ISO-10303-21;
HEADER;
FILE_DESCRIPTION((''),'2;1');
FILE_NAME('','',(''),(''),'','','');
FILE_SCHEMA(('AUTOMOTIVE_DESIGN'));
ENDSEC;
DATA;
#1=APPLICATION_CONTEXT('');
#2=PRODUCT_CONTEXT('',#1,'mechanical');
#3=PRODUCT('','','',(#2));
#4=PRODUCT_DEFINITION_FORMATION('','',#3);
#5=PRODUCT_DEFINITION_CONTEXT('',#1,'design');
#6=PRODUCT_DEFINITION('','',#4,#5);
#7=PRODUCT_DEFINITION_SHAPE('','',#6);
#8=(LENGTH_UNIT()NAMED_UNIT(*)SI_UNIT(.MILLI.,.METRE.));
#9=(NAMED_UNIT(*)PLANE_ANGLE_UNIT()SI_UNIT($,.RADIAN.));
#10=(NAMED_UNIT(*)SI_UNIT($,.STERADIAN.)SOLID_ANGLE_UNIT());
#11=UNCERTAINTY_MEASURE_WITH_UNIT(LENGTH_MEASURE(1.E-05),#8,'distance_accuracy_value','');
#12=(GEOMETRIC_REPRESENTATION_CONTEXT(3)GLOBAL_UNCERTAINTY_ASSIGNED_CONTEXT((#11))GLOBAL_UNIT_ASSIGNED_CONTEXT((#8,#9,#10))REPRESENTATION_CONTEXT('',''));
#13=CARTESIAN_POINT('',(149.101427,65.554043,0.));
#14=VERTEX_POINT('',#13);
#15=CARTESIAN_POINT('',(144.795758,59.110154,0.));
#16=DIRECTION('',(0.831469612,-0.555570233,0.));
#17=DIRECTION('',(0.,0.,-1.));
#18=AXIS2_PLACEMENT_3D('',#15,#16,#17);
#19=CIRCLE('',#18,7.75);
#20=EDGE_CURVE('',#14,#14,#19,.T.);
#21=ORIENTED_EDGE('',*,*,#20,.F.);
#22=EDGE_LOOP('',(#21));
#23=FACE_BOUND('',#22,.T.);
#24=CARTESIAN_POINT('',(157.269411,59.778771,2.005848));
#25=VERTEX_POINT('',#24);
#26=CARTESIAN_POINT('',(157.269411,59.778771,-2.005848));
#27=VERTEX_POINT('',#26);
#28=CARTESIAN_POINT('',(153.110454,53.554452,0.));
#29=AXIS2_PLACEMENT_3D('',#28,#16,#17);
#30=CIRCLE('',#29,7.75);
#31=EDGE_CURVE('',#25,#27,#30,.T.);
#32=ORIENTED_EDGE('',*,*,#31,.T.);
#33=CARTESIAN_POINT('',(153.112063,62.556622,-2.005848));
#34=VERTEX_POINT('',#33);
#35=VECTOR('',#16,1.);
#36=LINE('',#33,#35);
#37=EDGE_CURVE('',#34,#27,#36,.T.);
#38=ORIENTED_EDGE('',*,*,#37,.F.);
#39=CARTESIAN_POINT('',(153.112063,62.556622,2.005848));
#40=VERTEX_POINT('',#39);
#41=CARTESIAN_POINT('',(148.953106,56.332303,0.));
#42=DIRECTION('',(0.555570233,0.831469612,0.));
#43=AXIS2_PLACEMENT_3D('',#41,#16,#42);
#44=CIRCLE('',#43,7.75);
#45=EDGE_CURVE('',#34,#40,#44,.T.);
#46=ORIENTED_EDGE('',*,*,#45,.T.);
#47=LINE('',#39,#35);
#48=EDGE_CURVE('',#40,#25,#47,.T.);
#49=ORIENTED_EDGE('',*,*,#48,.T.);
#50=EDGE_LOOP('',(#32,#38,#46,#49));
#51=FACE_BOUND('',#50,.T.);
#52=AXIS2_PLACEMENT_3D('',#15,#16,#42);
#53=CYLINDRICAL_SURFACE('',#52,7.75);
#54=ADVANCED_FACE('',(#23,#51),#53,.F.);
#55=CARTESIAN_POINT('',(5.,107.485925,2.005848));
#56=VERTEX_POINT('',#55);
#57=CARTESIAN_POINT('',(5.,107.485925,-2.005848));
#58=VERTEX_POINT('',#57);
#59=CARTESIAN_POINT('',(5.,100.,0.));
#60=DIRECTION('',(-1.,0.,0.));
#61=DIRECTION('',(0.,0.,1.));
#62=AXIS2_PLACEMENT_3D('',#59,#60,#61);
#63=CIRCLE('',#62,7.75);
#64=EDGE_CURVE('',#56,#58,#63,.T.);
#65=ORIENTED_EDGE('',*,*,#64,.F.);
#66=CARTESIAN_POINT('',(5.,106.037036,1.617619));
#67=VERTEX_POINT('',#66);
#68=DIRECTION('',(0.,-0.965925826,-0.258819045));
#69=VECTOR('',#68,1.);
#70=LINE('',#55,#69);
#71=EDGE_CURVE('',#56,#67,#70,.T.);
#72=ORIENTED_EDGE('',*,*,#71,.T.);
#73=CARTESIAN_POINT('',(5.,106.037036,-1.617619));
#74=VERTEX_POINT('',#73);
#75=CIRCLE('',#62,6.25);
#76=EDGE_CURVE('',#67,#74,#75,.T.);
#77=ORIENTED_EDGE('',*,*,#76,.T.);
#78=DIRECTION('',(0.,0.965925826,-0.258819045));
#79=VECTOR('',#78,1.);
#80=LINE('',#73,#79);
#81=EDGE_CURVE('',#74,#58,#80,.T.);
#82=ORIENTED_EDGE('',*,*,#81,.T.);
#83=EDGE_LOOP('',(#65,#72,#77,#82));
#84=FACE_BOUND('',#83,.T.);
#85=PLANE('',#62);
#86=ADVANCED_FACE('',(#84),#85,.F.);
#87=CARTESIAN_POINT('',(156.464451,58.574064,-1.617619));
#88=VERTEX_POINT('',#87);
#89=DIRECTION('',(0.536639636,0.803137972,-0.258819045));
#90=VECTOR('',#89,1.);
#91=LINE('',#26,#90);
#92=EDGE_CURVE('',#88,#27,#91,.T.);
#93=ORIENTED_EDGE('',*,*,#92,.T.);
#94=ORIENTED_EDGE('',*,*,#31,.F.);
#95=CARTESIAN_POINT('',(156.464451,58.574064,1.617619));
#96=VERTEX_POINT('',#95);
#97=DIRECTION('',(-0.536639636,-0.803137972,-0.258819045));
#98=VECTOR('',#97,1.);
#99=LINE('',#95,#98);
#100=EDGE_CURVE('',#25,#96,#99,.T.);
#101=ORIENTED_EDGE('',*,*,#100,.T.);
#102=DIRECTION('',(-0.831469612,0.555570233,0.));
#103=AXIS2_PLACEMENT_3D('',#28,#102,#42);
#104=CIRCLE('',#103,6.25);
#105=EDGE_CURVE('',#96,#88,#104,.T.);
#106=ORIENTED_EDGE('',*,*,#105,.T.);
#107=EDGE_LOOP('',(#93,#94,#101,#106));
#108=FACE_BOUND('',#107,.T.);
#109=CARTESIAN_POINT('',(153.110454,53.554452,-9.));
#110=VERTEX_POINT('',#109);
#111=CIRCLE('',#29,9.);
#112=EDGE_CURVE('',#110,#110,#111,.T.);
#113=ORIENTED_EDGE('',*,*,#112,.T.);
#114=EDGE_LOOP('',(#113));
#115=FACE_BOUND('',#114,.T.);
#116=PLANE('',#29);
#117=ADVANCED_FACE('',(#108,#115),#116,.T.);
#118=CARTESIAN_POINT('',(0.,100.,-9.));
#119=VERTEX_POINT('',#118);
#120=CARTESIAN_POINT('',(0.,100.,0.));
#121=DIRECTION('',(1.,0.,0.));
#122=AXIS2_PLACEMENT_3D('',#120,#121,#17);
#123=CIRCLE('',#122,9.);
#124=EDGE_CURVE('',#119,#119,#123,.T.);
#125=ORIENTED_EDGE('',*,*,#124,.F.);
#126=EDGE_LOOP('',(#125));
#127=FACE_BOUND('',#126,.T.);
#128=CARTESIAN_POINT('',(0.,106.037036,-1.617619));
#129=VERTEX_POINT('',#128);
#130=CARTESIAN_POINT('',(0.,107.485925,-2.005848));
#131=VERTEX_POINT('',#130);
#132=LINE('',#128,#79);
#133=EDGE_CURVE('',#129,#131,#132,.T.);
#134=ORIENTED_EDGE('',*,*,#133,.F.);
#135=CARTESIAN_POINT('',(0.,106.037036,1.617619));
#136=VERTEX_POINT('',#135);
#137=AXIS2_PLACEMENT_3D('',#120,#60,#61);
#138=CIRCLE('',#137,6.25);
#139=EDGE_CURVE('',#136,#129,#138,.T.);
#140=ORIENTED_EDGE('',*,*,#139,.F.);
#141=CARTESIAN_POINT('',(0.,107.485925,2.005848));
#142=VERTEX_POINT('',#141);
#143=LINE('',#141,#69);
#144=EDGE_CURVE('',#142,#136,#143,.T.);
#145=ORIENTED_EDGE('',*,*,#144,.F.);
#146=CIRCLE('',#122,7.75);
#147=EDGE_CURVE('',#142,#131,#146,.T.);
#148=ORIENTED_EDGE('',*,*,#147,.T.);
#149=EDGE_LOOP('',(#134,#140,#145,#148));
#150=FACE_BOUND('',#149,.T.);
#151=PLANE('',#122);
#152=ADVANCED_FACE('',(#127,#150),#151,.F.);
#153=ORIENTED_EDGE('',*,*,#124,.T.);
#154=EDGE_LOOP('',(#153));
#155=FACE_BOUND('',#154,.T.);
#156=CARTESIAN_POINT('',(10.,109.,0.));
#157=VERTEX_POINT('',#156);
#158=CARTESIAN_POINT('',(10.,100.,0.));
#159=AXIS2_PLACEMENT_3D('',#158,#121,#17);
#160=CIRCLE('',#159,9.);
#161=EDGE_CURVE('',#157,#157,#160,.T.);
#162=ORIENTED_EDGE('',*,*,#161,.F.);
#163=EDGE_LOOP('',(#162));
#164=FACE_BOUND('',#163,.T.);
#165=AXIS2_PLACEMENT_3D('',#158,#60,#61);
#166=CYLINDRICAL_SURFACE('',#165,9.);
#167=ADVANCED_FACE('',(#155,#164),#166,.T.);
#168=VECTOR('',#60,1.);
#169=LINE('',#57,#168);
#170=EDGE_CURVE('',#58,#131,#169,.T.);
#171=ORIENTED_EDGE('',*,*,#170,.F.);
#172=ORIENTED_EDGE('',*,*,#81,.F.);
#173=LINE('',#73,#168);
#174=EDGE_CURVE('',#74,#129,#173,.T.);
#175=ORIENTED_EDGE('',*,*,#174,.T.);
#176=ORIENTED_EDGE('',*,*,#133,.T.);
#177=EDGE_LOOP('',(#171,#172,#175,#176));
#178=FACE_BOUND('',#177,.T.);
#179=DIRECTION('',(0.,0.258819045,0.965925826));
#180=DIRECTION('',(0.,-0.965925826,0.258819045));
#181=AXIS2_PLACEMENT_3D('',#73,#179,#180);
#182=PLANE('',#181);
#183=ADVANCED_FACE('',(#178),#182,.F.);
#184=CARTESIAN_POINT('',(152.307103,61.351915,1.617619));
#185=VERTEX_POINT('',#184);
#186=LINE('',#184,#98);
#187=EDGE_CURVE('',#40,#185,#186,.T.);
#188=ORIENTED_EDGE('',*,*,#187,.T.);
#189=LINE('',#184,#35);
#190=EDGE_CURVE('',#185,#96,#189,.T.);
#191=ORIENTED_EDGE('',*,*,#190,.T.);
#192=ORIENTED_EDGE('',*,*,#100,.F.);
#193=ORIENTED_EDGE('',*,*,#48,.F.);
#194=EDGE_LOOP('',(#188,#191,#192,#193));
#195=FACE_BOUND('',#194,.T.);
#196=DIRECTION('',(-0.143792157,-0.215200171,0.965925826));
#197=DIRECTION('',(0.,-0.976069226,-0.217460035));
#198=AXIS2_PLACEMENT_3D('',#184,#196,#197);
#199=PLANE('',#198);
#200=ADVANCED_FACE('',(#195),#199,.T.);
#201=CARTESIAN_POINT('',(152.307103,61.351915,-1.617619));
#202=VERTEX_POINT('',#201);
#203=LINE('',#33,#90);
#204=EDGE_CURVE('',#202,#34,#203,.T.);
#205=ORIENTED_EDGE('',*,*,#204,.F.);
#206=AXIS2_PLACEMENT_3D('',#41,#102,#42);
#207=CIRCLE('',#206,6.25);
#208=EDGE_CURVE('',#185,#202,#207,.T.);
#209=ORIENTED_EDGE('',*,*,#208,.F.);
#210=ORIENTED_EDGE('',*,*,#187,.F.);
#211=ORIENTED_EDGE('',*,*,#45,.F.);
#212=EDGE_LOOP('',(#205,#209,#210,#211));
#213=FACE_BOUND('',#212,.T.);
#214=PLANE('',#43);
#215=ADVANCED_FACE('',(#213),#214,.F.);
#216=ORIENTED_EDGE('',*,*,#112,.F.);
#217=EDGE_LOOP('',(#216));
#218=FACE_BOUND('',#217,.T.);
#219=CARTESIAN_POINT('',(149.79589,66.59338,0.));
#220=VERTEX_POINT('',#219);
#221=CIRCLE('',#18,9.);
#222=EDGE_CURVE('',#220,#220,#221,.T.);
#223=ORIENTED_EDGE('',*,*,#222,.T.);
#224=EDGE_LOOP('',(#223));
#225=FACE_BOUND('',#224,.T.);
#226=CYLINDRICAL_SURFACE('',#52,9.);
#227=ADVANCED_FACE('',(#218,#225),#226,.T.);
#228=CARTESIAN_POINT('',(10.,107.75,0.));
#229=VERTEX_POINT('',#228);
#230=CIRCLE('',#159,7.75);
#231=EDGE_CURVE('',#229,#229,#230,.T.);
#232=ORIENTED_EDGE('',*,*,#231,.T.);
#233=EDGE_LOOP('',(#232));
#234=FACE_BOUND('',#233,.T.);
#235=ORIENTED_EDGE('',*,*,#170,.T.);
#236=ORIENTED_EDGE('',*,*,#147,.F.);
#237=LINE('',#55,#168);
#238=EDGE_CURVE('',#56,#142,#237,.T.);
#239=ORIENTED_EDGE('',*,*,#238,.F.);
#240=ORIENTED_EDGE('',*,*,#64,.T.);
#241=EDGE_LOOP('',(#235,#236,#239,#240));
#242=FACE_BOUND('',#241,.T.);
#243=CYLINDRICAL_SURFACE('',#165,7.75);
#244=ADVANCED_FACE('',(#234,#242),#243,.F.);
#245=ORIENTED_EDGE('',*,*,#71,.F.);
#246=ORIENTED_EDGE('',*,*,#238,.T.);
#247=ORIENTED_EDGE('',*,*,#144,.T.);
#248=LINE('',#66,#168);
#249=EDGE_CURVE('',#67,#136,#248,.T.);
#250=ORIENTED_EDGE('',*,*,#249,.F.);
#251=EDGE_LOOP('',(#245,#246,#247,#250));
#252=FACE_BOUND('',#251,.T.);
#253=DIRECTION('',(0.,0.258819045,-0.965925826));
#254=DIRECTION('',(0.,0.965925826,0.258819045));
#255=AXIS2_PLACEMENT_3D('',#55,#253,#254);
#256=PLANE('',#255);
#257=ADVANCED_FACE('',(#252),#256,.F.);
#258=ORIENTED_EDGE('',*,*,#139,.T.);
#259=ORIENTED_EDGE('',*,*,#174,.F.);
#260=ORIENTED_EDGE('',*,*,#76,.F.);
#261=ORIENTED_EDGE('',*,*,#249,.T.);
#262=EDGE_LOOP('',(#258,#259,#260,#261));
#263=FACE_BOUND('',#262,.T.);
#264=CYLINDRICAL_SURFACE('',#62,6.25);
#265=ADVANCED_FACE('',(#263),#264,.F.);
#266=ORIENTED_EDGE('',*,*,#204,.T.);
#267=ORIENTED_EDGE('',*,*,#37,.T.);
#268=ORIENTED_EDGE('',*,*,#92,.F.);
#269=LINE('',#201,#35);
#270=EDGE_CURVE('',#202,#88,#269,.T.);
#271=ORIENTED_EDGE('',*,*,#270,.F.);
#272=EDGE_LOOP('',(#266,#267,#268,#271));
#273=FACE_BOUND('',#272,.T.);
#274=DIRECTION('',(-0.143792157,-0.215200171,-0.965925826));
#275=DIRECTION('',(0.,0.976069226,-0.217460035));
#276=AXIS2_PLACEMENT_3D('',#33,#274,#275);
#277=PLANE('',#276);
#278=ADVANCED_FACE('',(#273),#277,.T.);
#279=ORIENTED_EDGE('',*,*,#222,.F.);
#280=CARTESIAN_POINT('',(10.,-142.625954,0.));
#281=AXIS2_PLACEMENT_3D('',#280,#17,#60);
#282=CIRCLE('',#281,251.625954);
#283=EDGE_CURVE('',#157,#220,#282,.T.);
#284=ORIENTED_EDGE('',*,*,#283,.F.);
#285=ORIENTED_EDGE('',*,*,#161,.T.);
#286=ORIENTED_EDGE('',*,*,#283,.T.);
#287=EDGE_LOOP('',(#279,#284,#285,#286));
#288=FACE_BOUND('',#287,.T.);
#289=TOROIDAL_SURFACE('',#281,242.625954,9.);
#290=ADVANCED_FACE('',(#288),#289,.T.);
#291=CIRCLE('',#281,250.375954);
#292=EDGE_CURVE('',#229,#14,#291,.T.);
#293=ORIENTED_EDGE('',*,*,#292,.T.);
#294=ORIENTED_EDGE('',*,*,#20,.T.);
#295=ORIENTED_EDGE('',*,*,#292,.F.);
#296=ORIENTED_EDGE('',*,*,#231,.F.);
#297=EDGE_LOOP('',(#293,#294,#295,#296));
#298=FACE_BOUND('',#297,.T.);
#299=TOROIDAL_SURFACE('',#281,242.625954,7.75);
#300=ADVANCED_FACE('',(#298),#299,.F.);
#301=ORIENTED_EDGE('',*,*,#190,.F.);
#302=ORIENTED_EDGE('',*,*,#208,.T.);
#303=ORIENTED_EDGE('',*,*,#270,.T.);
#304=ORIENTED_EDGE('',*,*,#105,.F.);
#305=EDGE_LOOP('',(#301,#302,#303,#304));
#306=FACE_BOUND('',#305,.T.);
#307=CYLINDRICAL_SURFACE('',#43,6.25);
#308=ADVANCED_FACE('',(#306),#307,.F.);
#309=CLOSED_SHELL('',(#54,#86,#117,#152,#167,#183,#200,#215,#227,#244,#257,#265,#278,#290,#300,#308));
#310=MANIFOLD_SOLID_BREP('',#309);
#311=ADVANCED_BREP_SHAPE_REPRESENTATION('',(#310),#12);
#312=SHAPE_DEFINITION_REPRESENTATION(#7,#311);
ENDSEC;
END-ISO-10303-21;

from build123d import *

# Parameters (mm, degrees)
SKETCH3_R           = 9
SKETCH3_R_2         = 7.75
BOSS_EXTRUDE3_DEPTH = 5
BOSS_EXTRUDE4_START = -5
BOSS_EXTRUDE4_DEPTH = 5


with BuildPart() as part:
    # Sweep1: sweep along a path in Sketch2path
    with BuildLine(Plane.XY) as sweep1_path:
        Line((0, 100), (10, 100))
        ThreePointArc((10, 100), (80.430596643, 89.552607894), (144.795757594, 59.110153969))
        Line((144.795757594, 59.110153969), (153.110453717, 53.554451639))
    # Sketch3 → Sweep1 (sweep)
    with BuildSketch(Plane(origin=(0, 0, 0), x_dir=(0, 0, -1), z_dir=(1, 0, 0))):
        with Locations((0, 100)):
            Circle(SKETCH3_R)
        with Locations((0, 100)):
            Circle(SKETCH3_R_2, mode=Mode.SUBTRACT)
    sweep(path=sweep1_path.line)

    # Sketch8 → Boss-Extrude3 (add)
    with BuildSketch(Plane(origin=(81.112712966, -54.197782068, 0), x_dir=(0, 0, -1), z_dir=(0.8314696123025445, -0.5555702330196034, 0))):
        with BuildLine():
            Line((-1.617619032, 135.629546005), (-2.0058476, 137.078434745))
            ThreePointArc((-2.0058476, 137.078434745), (0, 137.342509591), (2.0058476, 137.078434745))
            Line((2.0058476, 137.078434745), (1.617619032, 135.629546005))
            ThreePointArc((1.617619032, 135.629546005), (0, 135.842509591), (-1.617619032, 135.629546005))
        make_face()
    extrude(amount=-BOSS_EXTRUDE3_DEPTH)

    # Sketch9 → Boss-Extrude4 (add)
    with BuildSketch(Plane.ZY.offset(BOSS_EXTRUDE4_START)):
        with BuildLine():
            Line((-1.617619032, 106.037036414), (-2.0058476, 107.485925154))
            ThreePointArc((-2.0058476, 107.485925154), (0, 107.75), (2.0058476, 107.485925154))
            Line((2.0058476, 107.485925154), (1.617619032, 106.037036414))
            ThreePointArc((1.617619032, 106.037036414), (0, 106.25), (-1.617619032, 106.037036414))
        make_face()
    extrude(amount=BOSS_EXTRUDE4_DEPTH)


solid = part.part
